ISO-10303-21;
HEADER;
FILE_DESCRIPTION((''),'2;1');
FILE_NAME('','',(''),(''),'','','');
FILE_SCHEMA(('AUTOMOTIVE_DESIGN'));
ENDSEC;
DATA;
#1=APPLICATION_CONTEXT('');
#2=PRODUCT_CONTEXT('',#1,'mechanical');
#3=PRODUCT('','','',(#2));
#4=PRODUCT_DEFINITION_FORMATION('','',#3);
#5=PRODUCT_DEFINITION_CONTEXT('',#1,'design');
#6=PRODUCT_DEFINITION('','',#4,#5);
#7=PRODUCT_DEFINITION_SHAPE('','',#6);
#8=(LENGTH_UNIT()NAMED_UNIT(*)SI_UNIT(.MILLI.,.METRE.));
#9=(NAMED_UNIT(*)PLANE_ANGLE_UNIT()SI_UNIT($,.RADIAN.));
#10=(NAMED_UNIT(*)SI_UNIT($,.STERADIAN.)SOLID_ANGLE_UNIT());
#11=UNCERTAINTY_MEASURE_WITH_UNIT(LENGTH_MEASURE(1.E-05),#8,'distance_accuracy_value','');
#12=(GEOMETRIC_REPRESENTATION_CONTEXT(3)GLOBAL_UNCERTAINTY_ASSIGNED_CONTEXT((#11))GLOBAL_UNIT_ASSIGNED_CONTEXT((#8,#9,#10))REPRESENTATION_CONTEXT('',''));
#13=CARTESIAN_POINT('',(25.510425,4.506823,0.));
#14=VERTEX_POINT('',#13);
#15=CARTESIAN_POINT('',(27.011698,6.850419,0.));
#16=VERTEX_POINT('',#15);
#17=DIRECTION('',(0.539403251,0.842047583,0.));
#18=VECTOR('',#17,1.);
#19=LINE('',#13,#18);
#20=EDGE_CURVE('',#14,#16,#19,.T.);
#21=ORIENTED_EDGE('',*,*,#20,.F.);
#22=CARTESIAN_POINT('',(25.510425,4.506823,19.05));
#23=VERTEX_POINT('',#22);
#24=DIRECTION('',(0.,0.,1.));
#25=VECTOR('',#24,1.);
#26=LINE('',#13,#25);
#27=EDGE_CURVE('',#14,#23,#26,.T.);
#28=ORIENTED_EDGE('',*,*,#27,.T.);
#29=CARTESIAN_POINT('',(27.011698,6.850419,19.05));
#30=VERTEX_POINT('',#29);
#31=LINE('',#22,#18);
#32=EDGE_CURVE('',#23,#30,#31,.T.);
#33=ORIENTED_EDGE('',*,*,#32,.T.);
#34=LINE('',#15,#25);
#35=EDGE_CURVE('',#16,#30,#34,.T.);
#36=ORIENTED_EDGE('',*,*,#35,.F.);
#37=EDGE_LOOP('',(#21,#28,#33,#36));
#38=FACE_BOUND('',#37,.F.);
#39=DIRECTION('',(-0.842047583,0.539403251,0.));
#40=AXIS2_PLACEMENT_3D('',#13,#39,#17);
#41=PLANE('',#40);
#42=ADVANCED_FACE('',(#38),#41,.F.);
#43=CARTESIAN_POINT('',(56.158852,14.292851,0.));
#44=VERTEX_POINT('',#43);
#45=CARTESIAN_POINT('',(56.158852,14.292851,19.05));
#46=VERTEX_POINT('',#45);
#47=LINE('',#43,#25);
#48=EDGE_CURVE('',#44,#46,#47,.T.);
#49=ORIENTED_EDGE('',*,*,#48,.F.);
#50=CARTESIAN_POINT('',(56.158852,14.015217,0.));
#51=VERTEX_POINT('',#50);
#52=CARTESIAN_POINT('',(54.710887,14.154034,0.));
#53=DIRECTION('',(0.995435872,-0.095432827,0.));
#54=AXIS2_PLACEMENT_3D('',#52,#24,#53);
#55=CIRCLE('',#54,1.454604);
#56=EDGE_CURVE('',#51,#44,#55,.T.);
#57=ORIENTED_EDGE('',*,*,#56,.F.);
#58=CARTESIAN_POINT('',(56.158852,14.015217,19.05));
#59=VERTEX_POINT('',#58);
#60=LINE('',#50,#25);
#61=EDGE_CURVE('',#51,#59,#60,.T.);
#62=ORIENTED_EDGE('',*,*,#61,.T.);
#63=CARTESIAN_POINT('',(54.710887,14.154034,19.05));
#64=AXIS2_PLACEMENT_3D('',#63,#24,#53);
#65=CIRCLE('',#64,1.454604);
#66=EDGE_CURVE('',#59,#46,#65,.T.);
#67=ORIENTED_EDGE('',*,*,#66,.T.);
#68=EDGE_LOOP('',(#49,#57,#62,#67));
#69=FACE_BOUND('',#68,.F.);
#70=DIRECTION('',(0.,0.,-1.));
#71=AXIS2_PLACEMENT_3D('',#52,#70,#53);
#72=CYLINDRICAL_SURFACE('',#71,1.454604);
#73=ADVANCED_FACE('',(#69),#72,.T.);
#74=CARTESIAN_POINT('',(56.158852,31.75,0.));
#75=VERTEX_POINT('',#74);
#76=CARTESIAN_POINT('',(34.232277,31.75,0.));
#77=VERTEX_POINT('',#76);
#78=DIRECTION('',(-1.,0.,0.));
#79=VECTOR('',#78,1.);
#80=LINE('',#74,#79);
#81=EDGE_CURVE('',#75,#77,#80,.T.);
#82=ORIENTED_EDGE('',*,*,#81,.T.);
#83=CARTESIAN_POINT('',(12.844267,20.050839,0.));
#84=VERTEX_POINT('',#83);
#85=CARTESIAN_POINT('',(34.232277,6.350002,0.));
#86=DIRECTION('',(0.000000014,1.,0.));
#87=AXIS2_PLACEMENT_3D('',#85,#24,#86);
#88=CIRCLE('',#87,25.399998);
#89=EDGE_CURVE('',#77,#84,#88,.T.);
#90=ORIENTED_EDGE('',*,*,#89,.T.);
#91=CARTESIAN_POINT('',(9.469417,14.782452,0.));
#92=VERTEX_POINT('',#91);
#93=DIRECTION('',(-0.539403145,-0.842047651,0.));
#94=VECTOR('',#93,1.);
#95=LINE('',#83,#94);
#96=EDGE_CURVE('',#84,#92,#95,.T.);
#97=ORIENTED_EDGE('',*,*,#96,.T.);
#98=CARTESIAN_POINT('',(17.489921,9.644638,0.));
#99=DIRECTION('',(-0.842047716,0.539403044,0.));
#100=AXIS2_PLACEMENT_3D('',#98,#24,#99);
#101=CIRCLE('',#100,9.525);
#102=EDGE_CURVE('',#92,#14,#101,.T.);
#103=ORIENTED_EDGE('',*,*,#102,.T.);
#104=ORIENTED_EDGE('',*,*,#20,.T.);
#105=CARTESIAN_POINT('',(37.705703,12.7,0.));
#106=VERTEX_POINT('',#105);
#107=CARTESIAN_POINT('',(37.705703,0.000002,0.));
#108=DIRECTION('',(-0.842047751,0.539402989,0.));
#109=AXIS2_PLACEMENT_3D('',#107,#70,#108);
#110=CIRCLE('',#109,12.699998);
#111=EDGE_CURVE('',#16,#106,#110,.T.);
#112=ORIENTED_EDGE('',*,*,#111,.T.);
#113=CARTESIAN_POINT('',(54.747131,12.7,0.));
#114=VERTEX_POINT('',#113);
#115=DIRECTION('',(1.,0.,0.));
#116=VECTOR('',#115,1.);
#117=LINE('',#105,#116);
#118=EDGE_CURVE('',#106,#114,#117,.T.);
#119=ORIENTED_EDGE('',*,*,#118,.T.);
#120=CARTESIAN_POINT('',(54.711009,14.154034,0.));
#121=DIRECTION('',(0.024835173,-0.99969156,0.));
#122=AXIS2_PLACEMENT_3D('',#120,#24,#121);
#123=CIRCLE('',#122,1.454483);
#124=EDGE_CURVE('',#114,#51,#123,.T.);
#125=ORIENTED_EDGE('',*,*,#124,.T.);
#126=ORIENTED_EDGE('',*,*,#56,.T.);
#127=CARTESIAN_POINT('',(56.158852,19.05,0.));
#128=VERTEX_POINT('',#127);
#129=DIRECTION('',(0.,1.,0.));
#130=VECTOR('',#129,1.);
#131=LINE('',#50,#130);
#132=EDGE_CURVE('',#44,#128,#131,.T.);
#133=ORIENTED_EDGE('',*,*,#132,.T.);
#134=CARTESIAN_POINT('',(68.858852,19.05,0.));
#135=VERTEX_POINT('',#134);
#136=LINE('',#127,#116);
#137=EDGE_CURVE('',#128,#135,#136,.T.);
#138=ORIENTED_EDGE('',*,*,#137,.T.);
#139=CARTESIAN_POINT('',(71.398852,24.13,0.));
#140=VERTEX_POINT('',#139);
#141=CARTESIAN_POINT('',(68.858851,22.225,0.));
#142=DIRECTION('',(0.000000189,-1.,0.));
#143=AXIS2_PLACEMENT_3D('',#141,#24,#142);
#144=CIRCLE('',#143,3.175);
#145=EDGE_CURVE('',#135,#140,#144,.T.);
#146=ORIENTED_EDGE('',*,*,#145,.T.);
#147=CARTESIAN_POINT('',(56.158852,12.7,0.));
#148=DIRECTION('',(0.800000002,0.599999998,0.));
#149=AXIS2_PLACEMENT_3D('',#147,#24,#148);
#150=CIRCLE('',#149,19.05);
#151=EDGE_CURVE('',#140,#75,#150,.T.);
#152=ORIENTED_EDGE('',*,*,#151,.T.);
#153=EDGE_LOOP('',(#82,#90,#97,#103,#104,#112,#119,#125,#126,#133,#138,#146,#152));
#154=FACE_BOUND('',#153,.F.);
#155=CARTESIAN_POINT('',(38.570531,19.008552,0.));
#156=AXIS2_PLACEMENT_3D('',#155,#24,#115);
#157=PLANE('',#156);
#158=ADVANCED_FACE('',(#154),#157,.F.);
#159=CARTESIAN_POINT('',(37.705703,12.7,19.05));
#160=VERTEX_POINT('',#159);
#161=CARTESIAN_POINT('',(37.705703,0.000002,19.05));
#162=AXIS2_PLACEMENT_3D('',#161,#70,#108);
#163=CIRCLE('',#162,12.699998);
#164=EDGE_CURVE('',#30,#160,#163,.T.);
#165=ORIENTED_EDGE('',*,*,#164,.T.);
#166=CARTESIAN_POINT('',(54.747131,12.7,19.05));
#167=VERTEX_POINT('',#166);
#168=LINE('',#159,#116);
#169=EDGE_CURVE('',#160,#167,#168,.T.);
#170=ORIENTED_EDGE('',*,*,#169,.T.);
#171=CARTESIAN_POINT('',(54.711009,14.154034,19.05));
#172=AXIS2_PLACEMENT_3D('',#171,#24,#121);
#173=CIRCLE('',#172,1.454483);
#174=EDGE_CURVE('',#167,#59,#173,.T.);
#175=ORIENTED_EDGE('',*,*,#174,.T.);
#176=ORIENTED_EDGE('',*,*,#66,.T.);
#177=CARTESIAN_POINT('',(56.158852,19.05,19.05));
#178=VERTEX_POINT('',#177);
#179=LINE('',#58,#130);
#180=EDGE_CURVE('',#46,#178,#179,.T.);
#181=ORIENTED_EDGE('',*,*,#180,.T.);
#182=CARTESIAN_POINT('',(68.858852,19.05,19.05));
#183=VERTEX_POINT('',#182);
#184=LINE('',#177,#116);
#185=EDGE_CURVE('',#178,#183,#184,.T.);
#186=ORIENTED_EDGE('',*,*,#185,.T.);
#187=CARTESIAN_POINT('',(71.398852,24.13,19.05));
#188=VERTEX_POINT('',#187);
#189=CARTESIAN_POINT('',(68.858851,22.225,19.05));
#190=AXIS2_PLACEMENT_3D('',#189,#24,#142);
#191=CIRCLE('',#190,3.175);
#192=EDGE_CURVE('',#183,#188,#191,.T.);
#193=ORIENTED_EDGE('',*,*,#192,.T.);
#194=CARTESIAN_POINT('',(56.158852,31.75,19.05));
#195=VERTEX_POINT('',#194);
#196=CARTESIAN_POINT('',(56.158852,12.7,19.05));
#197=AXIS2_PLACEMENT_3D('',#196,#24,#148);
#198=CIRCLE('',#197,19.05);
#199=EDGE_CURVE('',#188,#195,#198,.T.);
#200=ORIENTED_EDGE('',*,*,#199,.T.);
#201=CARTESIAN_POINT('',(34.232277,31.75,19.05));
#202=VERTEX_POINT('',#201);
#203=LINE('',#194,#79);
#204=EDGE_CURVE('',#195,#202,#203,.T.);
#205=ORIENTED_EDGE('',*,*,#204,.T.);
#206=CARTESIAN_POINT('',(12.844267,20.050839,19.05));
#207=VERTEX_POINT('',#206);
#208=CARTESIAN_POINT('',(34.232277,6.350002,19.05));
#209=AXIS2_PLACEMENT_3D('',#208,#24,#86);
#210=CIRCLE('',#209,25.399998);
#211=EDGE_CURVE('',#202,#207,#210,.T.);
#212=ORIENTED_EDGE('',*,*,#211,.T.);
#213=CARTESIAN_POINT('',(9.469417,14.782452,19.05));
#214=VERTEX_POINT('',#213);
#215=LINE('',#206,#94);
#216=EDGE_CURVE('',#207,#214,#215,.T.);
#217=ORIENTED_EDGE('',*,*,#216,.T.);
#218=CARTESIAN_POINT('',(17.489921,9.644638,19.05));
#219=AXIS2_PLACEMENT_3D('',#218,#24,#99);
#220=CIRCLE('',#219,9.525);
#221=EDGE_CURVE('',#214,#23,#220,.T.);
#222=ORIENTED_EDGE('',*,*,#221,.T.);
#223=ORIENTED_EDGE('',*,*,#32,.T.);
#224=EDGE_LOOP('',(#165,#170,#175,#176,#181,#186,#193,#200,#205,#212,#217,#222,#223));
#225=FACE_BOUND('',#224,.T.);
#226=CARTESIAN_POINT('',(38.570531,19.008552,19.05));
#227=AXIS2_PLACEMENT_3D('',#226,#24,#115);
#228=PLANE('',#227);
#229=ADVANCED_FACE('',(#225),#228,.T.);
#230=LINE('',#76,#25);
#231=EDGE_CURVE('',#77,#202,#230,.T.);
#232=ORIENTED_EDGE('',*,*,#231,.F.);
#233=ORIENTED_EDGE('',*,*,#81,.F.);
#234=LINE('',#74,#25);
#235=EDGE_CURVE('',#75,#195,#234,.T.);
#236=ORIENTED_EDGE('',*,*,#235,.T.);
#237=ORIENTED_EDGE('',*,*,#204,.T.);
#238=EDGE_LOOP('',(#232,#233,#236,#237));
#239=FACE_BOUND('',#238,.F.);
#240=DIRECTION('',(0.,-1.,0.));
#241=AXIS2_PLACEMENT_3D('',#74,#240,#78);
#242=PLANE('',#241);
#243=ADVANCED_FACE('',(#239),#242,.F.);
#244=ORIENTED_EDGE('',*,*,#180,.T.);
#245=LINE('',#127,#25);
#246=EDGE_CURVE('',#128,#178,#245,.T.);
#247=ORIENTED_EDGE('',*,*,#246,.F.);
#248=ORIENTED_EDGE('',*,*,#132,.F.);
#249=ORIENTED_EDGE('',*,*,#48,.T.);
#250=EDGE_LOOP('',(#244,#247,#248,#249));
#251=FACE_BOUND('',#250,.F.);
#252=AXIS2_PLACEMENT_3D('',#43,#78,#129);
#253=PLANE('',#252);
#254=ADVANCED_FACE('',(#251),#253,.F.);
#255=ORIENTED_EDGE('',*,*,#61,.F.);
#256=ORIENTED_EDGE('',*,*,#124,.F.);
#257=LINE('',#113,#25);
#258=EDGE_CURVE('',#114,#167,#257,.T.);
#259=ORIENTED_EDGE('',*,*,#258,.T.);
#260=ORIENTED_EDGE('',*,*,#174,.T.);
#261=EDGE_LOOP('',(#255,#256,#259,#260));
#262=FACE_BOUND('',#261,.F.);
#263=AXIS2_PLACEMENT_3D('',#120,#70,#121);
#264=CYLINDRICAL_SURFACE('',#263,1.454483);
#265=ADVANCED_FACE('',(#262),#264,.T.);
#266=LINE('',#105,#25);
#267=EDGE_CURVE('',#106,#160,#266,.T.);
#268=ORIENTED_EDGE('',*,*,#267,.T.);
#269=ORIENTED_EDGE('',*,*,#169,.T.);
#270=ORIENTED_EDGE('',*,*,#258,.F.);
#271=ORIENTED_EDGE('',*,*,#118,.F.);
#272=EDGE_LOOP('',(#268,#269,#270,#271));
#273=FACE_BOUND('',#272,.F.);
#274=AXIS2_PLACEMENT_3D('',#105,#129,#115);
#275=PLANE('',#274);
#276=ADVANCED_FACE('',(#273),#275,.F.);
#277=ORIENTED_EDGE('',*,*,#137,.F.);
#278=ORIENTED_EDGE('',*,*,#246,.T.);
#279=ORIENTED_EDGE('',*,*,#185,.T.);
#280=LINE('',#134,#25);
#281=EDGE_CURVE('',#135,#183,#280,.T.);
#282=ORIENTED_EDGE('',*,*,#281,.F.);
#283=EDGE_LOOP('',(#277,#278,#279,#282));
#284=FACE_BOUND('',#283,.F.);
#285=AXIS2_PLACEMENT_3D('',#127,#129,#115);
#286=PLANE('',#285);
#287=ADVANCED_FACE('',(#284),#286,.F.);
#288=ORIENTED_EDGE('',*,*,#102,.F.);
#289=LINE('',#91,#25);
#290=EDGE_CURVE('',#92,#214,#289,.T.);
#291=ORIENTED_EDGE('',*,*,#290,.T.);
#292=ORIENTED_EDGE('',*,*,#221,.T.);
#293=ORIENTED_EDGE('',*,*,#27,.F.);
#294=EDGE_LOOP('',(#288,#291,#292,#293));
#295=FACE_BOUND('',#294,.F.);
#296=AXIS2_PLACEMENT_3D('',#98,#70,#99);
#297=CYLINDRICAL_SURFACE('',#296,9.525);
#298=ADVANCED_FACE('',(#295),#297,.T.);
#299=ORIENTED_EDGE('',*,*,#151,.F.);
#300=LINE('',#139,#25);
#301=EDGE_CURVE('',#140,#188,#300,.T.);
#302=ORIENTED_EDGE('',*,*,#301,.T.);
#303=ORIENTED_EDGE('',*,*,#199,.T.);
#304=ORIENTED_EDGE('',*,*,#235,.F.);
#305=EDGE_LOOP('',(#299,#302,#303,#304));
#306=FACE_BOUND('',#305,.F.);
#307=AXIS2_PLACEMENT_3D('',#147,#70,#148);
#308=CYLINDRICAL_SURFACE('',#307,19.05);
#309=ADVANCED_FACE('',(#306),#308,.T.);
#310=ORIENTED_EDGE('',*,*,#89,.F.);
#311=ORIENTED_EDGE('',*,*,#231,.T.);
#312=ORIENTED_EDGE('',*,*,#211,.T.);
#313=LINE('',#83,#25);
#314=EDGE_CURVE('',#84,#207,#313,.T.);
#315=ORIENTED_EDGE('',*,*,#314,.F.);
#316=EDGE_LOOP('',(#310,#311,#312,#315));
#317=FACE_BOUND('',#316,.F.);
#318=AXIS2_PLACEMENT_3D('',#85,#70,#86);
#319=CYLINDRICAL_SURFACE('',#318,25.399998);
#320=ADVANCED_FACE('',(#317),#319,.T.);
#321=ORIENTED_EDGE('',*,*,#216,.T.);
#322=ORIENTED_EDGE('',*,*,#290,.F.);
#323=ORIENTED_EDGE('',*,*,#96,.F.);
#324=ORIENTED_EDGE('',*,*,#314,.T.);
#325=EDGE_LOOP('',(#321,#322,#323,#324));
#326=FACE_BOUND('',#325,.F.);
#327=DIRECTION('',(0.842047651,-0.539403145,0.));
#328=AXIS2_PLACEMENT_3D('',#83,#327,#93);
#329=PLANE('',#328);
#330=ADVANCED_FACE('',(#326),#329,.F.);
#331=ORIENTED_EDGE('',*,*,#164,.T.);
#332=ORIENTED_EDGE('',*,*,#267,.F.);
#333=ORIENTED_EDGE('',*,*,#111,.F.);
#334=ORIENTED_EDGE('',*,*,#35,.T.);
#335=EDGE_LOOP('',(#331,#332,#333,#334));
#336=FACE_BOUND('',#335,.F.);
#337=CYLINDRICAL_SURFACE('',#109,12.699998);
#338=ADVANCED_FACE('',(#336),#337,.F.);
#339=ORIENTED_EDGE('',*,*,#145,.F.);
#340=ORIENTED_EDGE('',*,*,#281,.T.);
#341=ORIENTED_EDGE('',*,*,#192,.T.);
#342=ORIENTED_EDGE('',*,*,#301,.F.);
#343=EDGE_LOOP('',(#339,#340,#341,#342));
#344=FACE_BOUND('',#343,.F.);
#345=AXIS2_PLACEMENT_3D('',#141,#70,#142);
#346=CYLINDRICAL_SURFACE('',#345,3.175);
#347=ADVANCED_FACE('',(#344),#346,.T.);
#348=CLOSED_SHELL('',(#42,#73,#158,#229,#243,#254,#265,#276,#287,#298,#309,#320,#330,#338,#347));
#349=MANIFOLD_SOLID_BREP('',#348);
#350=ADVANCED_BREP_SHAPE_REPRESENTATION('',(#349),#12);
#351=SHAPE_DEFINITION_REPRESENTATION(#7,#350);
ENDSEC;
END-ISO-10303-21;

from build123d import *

# Parameters (mm, degrees)
F1_DEPTH = 19.05


with BuildPart() as f1:
    # F0 (on Top) → F1 (new body)
    with BuildSketch(Plane.XY):
        with BuildLine():
            Line((12.844267, 20.050839), (9.469417, 14.782452))
            ThreePointArc((9.469417, 14.782452), (12.352107, 1.624134), (25.510425, 4.506823))
            Line((25.510425, 4.506823), (27.011698, 6.850419))
            ThreePointArc((27.011698, 6.850419), (31.611047, 11.142045), (37.705703, 12.7))
            Line((37.705703, 12.7), (54.747131, 12.7))
            ThreePointArc((54.747131, 12.7), (55.702466, 13.089829), (56.158852, 14.015217))
            Line((56.158852, 14.015217), (56.158852, 14.292851))
            Line((56.158852, 14.292851), (56.158852, 19.05))
            Line((56.158852, 19.05), (68.858852, 19.05))
            ThreePointArc((68.858852, 19.05), (71.698658, 20.805097), (71.398852, 24.13))
            ThreePointArc((71.398852, 24.13), (64.678271, 29.738838), (56.158852, 31.75))
            Line((56.158852, 31.75), (34.232277, 31.75))
            ThreePointArc((34.232277, 31.75), (22.042965, 28.63409), (12.844267, 20.050839))
        make_face()
        with BuildLine():
            Line((56.158852, 14.292851), (56.158852, 14.015217))
            ThreePointArc((56.158852, 14.015217), (56.165491, 14.154034), (56.158852, 14.292851))
        make_face()
    extrude(amount=F1_DEPTH)


solid = f1.part
